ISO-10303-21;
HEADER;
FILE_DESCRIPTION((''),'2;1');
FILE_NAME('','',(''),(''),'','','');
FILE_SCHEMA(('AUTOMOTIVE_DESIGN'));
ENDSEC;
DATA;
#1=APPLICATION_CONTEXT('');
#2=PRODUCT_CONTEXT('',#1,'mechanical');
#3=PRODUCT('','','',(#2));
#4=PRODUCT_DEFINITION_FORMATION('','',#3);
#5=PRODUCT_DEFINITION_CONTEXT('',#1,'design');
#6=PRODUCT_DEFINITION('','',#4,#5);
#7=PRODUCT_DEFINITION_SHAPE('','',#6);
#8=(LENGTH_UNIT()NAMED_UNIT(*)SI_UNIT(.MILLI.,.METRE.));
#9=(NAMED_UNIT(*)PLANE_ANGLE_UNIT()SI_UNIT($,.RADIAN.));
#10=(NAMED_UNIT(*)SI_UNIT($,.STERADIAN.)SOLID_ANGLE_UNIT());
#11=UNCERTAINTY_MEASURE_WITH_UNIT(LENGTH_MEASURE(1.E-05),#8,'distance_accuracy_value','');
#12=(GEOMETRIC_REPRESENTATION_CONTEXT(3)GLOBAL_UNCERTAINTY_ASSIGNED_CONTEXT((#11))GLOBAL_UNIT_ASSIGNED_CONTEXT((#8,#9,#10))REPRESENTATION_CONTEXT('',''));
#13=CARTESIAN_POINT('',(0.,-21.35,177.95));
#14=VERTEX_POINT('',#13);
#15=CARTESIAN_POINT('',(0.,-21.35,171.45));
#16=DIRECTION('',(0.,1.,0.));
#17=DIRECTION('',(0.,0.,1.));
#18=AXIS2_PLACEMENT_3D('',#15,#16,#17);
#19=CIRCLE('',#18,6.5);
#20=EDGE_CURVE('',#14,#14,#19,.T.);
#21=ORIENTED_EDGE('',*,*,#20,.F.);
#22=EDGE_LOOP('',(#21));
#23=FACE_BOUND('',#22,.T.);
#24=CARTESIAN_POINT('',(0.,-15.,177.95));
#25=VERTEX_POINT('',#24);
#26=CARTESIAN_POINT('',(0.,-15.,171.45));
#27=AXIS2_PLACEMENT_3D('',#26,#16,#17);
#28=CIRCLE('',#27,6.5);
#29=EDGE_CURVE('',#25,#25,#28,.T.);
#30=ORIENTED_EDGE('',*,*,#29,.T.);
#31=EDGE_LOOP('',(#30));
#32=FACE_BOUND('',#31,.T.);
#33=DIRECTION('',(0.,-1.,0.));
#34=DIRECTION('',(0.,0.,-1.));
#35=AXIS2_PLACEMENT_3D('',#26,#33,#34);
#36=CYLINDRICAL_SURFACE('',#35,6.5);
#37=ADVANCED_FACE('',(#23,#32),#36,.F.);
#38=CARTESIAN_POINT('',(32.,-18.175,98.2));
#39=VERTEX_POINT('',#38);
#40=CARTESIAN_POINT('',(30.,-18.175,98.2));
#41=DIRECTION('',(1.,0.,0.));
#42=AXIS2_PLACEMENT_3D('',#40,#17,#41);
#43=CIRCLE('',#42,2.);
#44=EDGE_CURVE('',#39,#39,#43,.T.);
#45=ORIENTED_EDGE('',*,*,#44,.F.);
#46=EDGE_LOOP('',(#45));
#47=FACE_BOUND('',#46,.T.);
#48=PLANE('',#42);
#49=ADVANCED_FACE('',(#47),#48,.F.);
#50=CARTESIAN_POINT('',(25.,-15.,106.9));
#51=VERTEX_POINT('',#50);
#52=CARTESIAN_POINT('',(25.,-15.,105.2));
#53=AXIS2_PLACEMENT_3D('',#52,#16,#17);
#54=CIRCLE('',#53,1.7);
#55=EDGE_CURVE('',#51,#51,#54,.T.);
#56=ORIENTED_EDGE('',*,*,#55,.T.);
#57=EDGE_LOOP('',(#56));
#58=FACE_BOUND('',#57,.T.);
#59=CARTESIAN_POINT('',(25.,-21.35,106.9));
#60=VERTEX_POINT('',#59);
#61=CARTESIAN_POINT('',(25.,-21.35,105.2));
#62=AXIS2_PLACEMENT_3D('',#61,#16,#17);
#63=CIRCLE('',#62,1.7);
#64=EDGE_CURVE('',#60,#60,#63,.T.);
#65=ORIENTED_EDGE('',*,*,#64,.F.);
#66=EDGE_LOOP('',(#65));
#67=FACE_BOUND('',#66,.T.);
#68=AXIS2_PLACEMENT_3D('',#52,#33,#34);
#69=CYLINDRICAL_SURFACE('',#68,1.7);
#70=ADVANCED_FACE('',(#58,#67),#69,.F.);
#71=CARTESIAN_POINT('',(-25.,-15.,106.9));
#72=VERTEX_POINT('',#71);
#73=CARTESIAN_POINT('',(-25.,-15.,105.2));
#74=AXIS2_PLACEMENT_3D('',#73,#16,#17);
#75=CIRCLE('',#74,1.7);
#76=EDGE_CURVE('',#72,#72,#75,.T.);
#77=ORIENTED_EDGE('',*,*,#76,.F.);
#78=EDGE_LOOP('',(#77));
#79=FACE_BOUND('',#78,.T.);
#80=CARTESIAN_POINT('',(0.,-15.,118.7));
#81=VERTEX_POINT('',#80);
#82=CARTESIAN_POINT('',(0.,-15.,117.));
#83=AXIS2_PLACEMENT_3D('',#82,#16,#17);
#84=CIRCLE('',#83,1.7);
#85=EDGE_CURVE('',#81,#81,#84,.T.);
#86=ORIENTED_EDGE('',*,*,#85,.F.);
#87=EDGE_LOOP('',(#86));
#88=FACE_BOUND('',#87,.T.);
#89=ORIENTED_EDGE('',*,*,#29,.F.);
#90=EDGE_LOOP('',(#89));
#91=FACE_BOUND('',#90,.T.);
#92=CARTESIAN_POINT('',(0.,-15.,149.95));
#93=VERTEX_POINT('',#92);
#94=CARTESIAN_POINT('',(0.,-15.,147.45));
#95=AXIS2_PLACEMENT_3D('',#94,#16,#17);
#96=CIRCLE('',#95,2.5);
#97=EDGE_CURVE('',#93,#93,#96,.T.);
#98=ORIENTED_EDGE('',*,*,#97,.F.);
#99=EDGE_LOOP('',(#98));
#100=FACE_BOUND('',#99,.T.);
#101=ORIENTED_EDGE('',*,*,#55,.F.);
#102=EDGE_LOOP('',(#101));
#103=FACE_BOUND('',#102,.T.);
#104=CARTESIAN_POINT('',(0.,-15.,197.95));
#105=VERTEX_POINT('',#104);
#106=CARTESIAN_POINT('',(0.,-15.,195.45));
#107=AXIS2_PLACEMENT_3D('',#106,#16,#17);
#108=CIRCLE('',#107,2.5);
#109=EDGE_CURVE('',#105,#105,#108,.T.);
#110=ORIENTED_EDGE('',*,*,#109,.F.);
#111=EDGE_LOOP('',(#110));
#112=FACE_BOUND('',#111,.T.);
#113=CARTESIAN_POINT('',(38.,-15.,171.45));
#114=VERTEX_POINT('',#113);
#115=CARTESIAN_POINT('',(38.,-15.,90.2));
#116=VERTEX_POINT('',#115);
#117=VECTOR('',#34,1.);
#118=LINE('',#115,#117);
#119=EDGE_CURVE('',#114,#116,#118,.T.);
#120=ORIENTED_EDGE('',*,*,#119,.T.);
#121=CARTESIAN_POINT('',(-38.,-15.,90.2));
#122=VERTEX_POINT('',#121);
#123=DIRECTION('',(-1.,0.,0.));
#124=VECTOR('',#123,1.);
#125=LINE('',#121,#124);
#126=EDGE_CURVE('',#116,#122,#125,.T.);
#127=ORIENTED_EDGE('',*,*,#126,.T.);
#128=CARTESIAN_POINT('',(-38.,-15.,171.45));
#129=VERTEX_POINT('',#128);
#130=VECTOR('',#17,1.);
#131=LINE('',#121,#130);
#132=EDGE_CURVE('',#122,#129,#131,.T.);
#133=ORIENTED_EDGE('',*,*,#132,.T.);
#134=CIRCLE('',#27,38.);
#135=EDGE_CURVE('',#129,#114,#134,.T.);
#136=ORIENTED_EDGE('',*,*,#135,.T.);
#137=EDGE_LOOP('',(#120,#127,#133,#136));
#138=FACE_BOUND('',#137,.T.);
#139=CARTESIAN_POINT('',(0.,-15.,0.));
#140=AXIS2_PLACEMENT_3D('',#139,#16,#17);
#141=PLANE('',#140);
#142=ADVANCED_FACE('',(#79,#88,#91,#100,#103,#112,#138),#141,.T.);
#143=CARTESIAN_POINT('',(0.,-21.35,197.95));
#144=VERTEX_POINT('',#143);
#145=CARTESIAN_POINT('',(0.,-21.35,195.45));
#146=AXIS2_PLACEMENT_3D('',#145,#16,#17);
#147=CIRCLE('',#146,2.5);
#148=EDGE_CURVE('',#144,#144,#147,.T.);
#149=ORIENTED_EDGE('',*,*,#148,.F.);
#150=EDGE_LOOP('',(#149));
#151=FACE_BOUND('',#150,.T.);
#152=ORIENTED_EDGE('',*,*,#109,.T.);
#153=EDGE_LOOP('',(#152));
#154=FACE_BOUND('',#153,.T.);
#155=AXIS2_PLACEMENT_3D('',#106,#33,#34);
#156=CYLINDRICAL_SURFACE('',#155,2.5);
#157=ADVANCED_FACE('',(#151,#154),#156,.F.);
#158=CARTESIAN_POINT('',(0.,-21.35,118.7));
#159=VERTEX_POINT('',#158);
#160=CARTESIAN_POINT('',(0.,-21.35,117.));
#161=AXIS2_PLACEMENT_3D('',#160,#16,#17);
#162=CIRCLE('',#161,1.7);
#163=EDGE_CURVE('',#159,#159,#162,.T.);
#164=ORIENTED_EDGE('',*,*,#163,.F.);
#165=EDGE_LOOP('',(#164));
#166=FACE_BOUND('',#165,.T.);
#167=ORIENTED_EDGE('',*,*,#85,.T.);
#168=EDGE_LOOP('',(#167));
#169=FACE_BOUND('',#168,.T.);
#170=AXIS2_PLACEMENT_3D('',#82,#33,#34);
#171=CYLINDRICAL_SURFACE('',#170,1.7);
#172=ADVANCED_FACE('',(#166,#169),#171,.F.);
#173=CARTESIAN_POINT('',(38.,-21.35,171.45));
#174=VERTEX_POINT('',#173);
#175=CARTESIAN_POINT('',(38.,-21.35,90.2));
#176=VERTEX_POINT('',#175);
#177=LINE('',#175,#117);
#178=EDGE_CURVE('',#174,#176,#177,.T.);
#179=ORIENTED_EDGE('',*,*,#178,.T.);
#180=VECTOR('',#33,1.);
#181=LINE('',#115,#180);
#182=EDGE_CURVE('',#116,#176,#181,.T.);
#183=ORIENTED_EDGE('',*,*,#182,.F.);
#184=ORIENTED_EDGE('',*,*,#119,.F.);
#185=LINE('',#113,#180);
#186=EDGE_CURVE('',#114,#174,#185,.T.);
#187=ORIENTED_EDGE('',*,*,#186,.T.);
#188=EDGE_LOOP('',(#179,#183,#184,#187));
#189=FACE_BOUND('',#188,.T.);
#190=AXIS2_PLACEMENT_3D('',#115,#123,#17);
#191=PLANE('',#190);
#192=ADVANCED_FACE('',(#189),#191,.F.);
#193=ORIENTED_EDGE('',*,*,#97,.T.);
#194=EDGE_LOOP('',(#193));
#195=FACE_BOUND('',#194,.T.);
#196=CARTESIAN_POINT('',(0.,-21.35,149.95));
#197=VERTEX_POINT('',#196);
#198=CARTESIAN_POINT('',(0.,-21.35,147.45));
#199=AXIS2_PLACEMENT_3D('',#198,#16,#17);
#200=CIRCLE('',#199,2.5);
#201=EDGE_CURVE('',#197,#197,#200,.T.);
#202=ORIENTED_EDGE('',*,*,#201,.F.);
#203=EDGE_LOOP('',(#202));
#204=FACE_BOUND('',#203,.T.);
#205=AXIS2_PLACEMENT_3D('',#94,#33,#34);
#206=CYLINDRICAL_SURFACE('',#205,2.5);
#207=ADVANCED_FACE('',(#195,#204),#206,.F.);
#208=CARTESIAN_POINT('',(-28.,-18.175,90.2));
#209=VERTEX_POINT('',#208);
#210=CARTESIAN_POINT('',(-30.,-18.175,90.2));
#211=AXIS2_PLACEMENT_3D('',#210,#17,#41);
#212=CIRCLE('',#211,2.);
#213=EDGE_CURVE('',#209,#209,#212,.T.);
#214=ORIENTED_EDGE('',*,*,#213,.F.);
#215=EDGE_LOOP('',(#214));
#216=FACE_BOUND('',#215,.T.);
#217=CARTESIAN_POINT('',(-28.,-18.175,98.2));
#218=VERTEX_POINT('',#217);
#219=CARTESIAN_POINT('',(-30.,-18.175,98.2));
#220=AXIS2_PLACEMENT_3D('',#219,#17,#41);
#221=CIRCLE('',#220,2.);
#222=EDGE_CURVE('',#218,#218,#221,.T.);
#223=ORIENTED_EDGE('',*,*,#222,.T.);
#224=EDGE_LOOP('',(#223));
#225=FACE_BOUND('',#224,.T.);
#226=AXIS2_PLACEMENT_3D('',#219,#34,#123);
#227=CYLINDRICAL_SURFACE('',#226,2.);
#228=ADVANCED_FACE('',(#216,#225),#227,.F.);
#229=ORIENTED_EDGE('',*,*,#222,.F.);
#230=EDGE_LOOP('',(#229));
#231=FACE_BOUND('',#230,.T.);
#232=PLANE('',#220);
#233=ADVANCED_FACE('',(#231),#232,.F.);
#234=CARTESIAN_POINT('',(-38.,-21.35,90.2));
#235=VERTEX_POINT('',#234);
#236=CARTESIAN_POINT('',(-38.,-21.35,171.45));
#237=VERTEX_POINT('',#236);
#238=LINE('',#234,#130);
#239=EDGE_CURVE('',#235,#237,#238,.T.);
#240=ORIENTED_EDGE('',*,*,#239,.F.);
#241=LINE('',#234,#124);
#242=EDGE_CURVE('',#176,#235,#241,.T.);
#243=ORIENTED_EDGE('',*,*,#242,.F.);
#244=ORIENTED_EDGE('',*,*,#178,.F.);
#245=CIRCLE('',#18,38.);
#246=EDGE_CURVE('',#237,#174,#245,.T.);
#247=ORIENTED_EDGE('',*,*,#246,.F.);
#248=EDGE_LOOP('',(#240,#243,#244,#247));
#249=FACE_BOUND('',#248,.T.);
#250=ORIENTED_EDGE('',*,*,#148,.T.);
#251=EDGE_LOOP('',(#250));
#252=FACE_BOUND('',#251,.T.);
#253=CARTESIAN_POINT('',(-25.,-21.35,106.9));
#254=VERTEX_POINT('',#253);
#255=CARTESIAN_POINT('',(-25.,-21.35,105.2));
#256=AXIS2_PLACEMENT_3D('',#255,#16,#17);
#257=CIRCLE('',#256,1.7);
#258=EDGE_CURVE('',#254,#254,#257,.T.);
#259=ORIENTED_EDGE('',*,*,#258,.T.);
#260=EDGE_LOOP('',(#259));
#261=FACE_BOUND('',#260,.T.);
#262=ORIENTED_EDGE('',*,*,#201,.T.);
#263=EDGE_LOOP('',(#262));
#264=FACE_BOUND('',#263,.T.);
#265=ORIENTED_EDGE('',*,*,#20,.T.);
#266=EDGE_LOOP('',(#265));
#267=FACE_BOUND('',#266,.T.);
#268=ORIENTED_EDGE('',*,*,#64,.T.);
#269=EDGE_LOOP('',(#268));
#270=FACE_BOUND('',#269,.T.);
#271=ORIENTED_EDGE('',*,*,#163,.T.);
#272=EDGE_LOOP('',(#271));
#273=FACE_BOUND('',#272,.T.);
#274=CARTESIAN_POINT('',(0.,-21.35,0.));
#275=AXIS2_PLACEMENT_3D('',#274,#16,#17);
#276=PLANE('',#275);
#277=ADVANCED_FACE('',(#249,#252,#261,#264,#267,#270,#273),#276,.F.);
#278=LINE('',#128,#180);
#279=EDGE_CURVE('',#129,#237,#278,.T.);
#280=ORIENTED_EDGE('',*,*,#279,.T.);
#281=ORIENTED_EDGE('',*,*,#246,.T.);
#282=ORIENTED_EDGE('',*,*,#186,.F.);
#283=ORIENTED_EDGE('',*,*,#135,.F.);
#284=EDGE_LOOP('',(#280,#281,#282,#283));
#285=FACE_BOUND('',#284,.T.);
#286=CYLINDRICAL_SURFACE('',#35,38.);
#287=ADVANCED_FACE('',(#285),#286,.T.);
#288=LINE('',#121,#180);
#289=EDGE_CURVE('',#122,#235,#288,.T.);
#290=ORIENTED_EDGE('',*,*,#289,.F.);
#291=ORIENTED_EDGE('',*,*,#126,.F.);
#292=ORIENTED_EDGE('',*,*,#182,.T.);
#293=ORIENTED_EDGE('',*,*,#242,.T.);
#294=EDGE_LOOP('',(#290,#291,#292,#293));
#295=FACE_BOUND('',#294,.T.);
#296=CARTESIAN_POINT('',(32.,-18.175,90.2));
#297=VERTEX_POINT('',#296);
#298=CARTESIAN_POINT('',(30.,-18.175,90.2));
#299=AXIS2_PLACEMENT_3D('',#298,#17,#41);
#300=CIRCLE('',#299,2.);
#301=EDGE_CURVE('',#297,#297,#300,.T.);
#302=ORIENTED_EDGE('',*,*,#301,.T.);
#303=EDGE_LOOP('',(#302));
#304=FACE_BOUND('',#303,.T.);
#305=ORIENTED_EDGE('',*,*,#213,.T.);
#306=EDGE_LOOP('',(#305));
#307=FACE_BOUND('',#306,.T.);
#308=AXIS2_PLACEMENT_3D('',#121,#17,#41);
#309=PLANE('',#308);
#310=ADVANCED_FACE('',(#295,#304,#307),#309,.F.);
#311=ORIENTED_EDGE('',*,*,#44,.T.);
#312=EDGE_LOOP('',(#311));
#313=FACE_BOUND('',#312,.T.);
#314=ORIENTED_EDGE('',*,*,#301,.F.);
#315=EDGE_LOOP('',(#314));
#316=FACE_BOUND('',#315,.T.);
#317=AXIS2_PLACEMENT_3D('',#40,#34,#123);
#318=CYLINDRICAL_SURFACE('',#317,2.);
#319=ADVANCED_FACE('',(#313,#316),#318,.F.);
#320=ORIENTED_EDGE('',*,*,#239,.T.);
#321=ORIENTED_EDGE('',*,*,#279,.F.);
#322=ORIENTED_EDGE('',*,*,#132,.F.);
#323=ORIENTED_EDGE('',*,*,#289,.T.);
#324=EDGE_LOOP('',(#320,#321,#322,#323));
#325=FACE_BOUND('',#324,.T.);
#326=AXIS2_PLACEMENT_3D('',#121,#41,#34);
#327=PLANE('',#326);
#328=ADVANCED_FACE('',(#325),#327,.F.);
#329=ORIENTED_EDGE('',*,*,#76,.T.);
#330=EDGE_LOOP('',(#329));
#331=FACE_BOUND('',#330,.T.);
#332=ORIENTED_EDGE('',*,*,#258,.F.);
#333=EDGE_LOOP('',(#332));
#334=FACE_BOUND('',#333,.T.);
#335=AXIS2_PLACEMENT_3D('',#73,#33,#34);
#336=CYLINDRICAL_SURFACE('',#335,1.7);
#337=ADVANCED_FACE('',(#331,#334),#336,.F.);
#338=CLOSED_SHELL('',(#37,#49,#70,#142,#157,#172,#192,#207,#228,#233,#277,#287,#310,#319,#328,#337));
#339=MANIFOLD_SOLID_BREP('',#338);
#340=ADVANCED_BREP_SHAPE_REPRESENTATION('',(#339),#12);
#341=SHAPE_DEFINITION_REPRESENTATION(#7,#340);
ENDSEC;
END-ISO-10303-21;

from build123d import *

# Parameters (mm, degrees)
PARED_B_CHUMACERA_J2_START          = -21.35
CROQUIS1_W                          = 76
CROQUIS1_H                          = 81.25
PARED_B_CHUMACERA_J2_DEPTH          = 6.35
PARED_B_CHUMACERA_J2_REDONDEO_START = -21.35
CROQUIS2_R                          = 38
PARED_B_CHUMACERA_J2_REDONDEO_DEPTH = 6.35
PASO_PERNO_Y_ROSCA_M6_KFL001_START  = -21.35
CROQUIS3_R                          = 6.5
CROQUIS3_R_2                        = 2.5
PASO_PERNO_Y_ROSCA_M6_KFL001_DEPTH  = 6.35
ROSCA_M3_ESCUADRAS_START            = -21.35
CROQUIS4_R                          = 1.25
ROSCA_M3_ESCUADRAS_DEPTH            = 6.35
PASADORES_D4_START                  = 90.2
CROQUIS5_R                          = 2
PASADORES_D4_DEPTH                  = 8
ROSCA_M3_BASES_CINCHO_START         = -21.35
CROQUIS6_R                          = 1.25
ROSCA_M3_BASES_CINCHO_DEPTH         = 6.35
PASO_M3_ESCUADRAS_TUERCA_START      = -21.35
CROQUIS7_R                          = 1.7
PASO_M3_ESCUADRAS_TUERCA_DEPTH      = 6.35
PASO_M3_BASE_CINCHO_TUERCA_START    = -21.35
CROQUIS8_R                          = 1.7
PASO_M3_BASE_CINCHO_TUERCA_DEPTH    = 6.35


with BuildPart() as part:
    # Croquis1 → Pared_B_chumacera_J2 (new body)
    with BuildSketch(Plane(origin=(0, 0, 0), x_dir=(1, 0, 0), z_dir=(0, 1, 0)).offset(PARED_B_CHUMACERA_J2_START)):
        with Locations((0, -130.825)):
            Rectangle(CROQUIS1_W, CROQUIS1_H)
    extrude(amount=PARED_B_CHUMACERA_J2_DEPTH)

    # Croquis2 → Pared_B_chumacera_J2_redondeo (add)
    with BuildSketch(Plane(origin=(0, 0, 0), x_dir=(1, 0, 0), z_dir=(0, 1, 0)).offset(PARED_B_CHUMACERA_J2_REDONDEO_START)):
        with Locations((0, -171.45)):
            Circle(CROQUIS2_R)
    extrude(amount=PARED_B_CHUMACERA_J2_REDONDEO_DEPTH)

    # Croquis3 → Paso_perno_y_rosca_M6_KFL001 (cut)
    with BuildSketch(Plane(origin=(0, 0, 0), x_dir=(1, 0, 0), z_dir=(0, 1, 0)).offset(PASO_PERNO_Y_ROSCA_M6_KFL001_START)):
        with Locations(Location((0, -171.45, 0), (0, 0, 270))):
            Circle(CROQUIS3_R)
        with Locations(Location((0, -195.45, 0), (0, 0, 270))):
            Circle(CROQUIS3_R_2)
        with Locations(Location((0, -147.45, 0), (0, 0, 270))):
            Circle(CROQUIS3_R_2)
    extrude(amount=PASO_PERNO_Y_ROSCA_M6_KFL001_DEPTH, mode=Mode.SUBTRACT)

    # Croquis4 → Rosca_M3_escuadras (cut)
    with BuildSketch(Plane(origin=(0, 0, 0), x_dir=(1, 0, 0), z_dir=(0, 1, 0)).offset(ROSCA_M3_ESCUADRAS_START)):
        with Locations(Location((-25, -105.2, 0), (0, 0, 270))):
            Circle(CROQUIS4_R)
        with Locations(Location((25, -105.2, 0), (0, 0, 270))):
            Circle(CROQUIS4_R)
    extrude(amount=ROSCA_M3_ESCUADRAS_DEPTH, mode=Mode.SUBTRACT)

    # Croquis5 → Pasadores_D4 (cut)
    with BuildSketch(Plane.XY.offset(PASADORES_D4_START)):
        with Locations((-30, -18.175)):
            Circle(CROQUIS5_R)
        with Locations((30, -18.175)):
            Circle(CROQUIS5_R)
    extrude(amount=PASADORES_D4_DEPTH, mode=Mode.SUBTRACT)

    # Croquis6 → Rosca_M3_bases_cincho (cut)
    with BuildSketch(Plane(origin=(0, 0, 0), x_dir=(1, 0, 0), z_dir=(0, 1, 0)).offset(ROSCA_M3_BASES_CINCHO_START)):
        with Locations(Location((0, -117, 0), (0, 0, 270))):
            Circle(CROQUIS6_R)
    extrude(amount=ROSCA_M3_BASES_CINCHO_DEPTH, mode=Mode.SUBTRACT)

    # Croquis7 → Paso_M3_escuadras_tuerca (cut)
    with BuildSketch(Plane(origin=(0, 0, 0), x_dir=(1, 0, 0), z_dir=(0, 1, 0)).offset(PASO_M3_ESCUADRAS_TUERCA_START)):
        with Locations(Location((-25, -105.2, 0), (0, 0, 270))):
            Circle(CROQUIS7_R)
        with Locations(Location((25, -105.2, 0), (0, 0, 270))):
            Circle(CROQUIS7_R)
    extrude(amount=PASO_M3_ESCUADRAS_TUERCA_DEPTH, mode=Mode.SUBTRACT)

    # Croquis8 → Paso_M3_base_cincho_tuerca (cut)
    with BuildSketch(Plane(origin=(0, 0, 0), x_dir=(1, 0, 0), z_dir=(0, 1, 0)).offset(PASO_M3_BASE_CINCHO_TUERCA_START)):
        with Locations(Location((0, -117, 0), (0, 0, 270))):
            Circle(CROQUIS8_R)
    extrude(amount=PASO_M3_BASE_CINCHO_TUERCA_DEPTH, mode=Mode.SUBTRACT)


solid = part.part
